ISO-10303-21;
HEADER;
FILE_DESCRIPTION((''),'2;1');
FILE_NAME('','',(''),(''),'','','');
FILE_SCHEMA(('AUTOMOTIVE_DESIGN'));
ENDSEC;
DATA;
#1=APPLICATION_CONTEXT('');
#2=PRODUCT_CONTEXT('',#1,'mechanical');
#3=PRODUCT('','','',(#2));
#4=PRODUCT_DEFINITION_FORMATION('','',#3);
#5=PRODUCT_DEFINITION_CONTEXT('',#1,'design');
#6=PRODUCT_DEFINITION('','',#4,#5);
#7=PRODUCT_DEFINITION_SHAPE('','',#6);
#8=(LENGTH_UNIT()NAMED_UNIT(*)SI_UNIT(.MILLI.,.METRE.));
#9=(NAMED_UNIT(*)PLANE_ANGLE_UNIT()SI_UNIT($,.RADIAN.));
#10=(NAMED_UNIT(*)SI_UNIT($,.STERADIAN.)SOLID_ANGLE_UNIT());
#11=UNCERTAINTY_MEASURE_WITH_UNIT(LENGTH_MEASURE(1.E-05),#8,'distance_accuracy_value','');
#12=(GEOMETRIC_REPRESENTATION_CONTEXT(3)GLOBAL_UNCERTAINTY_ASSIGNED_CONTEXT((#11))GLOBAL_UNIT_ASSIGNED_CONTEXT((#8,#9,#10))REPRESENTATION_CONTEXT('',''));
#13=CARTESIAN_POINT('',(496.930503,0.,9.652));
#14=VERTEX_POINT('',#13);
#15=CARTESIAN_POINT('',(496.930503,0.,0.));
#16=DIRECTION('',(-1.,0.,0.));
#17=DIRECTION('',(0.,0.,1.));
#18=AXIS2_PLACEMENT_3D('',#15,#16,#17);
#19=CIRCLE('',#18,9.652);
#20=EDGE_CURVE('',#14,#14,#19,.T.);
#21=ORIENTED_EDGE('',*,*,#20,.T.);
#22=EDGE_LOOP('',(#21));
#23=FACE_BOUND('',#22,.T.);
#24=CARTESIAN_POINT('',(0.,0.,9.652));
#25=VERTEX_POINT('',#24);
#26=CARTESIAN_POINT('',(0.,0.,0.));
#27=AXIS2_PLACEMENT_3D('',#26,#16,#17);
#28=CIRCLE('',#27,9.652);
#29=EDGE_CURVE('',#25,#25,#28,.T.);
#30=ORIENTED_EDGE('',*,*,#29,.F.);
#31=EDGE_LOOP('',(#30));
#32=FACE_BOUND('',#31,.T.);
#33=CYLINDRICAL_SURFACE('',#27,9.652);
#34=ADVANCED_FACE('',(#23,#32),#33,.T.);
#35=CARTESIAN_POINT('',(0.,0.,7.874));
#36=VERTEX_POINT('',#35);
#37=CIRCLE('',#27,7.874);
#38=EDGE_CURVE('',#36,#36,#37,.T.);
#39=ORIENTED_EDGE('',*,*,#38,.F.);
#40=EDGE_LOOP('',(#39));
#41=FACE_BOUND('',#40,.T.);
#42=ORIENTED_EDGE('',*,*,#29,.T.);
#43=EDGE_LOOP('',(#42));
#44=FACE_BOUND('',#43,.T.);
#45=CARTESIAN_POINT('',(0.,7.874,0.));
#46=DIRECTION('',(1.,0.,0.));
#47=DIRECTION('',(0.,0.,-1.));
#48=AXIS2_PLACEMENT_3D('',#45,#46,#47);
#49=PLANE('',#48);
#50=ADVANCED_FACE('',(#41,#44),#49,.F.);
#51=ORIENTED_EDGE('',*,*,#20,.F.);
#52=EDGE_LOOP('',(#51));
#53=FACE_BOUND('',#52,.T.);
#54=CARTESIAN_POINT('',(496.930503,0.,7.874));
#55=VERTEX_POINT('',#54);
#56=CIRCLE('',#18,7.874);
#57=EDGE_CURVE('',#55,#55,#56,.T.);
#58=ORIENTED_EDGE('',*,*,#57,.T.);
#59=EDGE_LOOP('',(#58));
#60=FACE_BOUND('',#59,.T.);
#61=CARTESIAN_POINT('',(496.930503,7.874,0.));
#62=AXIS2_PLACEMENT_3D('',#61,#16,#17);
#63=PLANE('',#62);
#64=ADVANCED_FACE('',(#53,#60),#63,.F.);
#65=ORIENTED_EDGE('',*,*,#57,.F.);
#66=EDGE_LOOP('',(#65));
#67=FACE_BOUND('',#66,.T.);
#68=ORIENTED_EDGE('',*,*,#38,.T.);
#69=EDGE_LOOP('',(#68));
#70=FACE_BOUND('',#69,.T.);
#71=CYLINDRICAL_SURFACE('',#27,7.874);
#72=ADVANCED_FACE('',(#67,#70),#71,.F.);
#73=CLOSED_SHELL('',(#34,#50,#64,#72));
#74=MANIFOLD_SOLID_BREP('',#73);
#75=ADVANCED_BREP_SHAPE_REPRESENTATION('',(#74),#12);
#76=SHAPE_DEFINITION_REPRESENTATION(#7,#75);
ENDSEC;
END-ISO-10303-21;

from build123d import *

# Parameters (mm, degrees)
SKETCH1_W = 496.930502708
SKETCH1_H = 1.778


with BuildPart() as part:
    # Sketch1 → Revolve1 (revolve)
    with BuildSketch(Plane.XY):
        with Locations((248.465251354, 8.763)):
            Rectangle(SKETCH1_W, SKETCH1_H)
    revolve(axis=Axis((0, 0, 0), (1, 0, 0)))


solid = part.part
